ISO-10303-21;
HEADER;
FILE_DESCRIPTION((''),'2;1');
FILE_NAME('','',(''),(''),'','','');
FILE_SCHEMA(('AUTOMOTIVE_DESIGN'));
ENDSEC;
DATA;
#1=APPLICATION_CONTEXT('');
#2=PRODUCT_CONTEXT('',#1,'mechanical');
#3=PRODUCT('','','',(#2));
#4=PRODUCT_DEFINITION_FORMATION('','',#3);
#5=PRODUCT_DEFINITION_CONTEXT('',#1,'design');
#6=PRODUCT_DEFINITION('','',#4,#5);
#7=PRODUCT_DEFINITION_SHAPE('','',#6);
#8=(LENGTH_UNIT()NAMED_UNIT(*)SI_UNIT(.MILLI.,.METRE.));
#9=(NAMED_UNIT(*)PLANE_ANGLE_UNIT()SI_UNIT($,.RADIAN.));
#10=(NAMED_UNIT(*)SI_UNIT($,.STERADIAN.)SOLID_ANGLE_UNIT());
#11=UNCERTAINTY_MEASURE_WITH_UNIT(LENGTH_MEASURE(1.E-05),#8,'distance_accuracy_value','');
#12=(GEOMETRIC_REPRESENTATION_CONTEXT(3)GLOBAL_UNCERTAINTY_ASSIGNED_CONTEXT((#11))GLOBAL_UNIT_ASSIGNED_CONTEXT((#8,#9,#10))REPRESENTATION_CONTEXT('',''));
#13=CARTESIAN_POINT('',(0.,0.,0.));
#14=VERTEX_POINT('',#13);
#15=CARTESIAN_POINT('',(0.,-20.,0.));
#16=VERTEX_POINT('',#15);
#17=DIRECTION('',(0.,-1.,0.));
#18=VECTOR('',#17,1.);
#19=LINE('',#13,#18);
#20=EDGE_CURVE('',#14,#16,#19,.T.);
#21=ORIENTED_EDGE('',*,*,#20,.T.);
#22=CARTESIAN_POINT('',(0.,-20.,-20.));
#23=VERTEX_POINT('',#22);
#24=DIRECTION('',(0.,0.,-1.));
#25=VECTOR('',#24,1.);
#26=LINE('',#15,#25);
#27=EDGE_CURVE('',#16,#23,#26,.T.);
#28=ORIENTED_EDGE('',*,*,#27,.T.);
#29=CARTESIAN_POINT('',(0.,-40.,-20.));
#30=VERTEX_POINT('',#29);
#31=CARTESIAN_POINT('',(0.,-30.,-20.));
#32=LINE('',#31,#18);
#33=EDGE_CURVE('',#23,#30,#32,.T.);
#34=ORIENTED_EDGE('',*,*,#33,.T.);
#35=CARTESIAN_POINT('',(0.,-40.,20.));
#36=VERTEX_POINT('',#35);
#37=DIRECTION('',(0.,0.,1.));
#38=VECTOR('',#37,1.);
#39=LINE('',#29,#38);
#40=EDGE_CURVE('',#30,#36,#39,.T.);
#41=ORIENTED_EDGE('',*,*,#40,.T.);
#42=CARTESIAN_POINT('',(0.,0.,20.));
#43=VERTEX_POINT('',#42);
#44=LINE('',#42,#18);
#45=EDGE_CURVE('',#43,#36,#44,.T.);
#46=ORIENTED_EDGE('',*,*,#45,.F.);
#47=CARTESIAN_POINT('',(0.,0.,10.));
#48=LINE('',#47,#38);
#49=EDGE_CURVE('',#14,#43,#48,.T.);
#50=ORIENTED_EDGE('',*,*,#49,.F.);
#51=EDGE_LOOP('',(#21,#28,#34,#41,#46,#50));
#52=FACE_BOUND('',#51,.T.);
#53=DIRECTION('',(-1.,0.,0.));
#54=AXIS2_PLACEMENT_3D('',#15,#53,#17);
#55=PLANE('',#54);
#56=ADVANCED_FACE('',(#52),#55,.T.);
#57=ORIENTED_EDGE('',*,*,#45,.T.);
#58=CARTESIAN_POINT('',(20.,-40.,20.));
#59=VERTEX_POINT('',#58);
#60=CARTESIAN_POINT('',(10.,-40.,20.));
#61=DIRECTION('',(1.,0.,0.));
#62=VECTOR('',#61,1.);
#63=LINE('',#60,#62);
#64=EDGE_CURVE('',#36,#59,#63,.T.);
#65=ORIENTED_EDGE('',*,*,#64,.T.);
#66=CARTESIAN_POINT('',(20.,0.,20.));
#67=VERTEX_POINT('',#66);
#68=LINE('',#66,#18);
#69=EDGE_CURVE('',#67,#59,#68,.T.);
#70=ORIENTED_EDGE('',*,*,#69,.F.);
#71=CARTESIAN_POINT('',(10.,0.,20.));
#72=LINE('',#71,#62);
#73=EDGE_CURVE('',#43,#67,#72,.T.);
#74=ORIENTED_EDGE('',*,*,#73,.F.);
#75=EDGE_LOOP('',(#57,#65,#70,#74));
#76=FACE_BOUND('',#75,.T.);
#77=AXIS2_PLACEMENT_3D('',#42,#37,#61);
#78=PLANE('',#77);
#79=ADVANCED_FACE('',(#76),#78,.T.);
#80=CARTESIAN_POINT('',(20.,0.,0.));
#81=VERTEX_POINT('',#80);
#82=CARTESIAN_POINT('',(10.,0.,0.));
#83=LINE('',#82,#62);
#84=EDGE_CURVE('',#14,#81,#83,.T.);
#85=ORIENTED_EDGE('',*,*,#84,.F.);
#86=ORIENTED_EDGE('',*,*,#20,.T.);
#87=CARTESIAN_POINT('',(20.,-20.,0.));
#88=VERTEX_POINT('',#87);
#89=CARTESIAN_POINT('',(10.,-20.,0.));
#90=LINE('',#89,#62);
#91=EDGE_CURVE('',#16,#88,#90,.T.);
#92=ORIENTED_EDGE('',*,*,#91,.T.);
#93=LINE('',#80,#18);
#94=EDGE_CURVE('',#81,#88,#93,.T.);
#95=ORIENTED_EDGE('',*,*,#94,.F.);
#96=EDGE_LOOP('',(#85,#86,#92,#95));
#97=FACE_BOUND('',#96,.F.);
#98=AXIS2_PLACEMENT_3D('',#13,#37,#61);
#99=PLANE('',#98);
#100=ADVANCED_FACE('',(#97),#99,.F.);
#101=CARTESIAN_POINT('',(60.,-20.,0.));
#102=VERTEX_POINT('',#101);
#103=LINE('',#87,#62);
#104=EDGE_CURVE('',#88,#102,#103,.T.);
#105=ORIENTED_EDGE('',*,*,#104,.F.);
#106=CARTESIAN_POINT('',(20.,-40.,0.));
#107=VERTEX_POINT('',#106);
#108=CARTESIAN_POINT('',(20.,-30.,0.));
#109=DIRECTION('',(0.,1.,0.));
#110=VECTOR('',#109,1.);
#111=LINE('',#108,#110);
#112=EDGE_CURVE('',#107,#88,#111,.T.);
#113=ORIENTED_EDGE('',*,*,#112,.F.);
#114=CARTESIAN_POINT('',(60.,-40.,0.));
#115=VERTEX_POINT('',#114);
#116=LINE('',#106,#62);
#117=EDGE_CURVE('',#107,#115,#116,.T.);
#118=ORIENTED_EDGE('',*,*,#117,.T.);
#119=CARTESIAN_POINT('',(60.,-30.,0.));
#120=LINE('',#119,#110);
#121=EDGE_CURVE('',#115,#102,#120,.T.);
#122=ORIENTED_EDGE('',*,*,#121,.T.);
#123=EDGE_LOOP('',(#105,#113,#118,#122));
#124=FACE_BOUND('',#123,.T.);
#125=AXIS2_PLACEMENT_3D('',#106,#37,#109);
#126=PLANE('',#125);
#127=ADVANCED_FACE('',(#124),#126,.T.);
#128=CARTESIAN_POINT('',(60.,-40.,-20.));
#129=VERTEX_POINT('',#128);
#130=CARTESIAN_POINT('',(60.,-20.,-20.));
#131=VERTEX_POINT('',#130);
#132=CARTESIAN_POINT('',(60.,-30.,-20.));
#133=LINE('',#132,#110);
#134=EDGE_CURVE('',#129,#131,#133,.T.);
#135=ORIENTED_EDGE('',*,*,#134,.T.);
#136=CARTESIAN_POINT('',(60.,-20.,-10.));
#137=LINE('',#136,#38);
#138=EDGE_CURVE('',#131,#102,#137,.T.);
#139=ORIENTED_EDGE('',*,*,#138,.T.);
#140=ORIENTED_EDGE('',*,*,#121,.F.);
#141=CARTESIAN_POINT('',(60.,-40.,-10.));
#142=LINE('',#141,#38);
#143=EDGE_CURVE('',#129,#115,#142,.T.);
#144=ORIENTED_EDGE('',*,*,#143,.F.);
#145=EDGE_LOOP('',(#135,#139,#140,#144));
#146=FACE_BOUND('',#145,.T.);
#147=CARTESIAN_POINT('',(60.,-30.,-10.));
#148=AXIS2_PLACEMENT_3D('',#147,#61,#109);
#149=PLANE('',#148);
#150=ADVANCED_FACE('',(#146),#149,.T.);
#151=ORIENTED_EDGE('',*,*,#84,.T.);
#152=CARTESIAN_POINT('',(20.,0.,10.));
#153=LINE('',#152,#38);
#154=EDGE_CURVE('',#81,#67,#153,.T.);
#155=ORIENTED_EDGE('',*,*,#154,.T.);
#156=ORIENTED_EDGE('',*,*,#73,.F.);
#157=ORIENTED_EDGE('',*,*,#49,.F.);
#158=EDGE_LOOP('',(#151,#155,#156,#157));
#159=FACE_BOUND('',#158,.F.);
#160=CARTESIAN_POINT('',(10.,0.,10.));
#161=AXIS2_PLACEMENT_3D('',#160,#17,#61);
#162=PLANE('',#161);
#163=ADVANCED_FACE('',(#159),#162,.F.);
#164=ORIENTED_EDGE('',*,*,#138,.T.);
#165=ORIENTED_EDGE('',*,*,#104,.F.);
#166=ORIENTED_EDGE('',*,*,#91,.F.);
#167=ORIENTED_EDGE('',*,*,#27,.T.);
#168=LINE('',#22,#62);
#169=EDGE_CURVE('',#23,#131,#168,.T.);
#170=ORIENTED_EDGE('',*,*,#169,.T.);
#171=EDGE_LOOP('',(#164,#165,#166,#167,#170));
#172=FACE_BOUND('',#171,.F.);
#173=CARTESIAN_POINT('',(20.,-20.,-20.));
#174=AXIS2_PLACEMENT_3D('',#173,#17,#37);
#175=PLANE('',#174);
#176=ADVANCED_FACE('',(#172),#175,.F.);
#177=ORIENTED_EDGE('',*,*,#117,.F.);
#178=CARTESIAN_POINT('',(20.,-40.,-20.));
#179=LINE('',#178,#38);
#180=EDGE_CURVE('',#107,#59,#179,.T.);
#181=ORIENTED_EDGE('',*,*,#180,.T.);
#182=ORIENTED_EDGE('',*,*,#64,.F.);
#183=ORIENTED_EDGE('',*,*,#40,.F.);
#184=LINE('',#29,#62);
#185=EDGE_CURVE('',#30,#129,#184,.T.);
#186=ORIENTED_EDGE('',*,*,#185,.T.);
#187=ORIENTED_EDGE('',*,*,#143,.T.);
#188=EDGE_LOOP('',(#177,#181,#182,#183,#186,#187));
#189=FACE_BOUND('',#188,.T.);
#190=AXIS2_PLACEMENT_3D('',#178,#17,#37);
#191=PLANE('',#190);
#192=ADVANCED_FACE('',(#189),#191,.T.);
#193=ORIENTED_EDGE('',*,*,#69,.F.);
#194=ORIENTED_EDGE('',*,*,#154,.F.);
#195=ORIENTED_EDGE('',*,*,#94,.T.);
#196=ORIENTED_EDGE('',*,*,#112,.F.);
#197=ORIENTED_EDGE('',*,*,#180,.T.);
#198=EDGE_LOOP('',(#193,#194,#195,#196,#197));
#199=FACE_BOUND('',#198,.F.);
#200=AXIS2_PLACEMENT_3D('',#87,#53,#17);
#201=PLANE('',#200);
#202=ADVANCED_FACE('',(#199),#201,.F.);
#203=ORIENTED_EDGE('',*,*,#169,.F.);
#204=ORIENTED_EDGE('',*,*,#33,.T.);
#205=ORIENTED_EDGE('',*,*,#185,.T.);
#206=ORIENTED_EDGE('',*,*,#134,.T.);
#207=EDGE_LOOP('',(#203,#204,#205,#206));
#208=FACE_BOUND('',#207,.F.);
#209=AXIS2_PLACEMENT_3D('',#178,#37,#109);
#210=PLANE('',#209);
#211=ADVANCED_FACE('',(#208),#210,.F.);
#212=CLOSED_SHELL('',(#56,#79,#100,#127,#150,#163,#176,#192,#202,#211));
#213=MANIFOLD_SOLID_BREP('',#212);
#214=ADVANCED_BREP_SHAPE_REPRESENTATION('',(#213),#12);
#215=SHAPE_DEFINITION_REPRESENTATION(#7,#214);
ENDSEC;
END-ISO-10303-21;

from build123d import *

# Parameters (mm, degrees)
F0_W     = 20
F0_H     = 20
F1_DEPTH = 40
F2_W     = 20
F2_H     = 20
F3_DEPTH = 20
F4_W     = 20
F4_H     = 20
F5_DEPTH = 40


with BuildPart() as f1:
    # F0 (on Front) → F1 (new body)
    with BuildSketch(Plane.XZ):
        with Locations((10, 10)):
            Rectangle(F0_W, F0_H)
    extrude(amount=F1_DEPTH)

    # F2 (on face) → F3 (join)
    with BuildSketch(Plane(origin=(0, 0, 0), x_dir=(1, 0, 0), z_dir=(0, 0, -1))):
        with Locations((10, 30)):
            Rectangle(F2_W, F2_H)
    extrude(amount=F3_DEPTH)

    # F4 (on face) → F5 (join)
    with BuildSketch(Plane.YZ.offset(20)):
        with Locations((-30, -10)):
            Rectangle(F4_W, F4_H)
    extrude(amount=F5_DEPTH)


solid = f1.part
